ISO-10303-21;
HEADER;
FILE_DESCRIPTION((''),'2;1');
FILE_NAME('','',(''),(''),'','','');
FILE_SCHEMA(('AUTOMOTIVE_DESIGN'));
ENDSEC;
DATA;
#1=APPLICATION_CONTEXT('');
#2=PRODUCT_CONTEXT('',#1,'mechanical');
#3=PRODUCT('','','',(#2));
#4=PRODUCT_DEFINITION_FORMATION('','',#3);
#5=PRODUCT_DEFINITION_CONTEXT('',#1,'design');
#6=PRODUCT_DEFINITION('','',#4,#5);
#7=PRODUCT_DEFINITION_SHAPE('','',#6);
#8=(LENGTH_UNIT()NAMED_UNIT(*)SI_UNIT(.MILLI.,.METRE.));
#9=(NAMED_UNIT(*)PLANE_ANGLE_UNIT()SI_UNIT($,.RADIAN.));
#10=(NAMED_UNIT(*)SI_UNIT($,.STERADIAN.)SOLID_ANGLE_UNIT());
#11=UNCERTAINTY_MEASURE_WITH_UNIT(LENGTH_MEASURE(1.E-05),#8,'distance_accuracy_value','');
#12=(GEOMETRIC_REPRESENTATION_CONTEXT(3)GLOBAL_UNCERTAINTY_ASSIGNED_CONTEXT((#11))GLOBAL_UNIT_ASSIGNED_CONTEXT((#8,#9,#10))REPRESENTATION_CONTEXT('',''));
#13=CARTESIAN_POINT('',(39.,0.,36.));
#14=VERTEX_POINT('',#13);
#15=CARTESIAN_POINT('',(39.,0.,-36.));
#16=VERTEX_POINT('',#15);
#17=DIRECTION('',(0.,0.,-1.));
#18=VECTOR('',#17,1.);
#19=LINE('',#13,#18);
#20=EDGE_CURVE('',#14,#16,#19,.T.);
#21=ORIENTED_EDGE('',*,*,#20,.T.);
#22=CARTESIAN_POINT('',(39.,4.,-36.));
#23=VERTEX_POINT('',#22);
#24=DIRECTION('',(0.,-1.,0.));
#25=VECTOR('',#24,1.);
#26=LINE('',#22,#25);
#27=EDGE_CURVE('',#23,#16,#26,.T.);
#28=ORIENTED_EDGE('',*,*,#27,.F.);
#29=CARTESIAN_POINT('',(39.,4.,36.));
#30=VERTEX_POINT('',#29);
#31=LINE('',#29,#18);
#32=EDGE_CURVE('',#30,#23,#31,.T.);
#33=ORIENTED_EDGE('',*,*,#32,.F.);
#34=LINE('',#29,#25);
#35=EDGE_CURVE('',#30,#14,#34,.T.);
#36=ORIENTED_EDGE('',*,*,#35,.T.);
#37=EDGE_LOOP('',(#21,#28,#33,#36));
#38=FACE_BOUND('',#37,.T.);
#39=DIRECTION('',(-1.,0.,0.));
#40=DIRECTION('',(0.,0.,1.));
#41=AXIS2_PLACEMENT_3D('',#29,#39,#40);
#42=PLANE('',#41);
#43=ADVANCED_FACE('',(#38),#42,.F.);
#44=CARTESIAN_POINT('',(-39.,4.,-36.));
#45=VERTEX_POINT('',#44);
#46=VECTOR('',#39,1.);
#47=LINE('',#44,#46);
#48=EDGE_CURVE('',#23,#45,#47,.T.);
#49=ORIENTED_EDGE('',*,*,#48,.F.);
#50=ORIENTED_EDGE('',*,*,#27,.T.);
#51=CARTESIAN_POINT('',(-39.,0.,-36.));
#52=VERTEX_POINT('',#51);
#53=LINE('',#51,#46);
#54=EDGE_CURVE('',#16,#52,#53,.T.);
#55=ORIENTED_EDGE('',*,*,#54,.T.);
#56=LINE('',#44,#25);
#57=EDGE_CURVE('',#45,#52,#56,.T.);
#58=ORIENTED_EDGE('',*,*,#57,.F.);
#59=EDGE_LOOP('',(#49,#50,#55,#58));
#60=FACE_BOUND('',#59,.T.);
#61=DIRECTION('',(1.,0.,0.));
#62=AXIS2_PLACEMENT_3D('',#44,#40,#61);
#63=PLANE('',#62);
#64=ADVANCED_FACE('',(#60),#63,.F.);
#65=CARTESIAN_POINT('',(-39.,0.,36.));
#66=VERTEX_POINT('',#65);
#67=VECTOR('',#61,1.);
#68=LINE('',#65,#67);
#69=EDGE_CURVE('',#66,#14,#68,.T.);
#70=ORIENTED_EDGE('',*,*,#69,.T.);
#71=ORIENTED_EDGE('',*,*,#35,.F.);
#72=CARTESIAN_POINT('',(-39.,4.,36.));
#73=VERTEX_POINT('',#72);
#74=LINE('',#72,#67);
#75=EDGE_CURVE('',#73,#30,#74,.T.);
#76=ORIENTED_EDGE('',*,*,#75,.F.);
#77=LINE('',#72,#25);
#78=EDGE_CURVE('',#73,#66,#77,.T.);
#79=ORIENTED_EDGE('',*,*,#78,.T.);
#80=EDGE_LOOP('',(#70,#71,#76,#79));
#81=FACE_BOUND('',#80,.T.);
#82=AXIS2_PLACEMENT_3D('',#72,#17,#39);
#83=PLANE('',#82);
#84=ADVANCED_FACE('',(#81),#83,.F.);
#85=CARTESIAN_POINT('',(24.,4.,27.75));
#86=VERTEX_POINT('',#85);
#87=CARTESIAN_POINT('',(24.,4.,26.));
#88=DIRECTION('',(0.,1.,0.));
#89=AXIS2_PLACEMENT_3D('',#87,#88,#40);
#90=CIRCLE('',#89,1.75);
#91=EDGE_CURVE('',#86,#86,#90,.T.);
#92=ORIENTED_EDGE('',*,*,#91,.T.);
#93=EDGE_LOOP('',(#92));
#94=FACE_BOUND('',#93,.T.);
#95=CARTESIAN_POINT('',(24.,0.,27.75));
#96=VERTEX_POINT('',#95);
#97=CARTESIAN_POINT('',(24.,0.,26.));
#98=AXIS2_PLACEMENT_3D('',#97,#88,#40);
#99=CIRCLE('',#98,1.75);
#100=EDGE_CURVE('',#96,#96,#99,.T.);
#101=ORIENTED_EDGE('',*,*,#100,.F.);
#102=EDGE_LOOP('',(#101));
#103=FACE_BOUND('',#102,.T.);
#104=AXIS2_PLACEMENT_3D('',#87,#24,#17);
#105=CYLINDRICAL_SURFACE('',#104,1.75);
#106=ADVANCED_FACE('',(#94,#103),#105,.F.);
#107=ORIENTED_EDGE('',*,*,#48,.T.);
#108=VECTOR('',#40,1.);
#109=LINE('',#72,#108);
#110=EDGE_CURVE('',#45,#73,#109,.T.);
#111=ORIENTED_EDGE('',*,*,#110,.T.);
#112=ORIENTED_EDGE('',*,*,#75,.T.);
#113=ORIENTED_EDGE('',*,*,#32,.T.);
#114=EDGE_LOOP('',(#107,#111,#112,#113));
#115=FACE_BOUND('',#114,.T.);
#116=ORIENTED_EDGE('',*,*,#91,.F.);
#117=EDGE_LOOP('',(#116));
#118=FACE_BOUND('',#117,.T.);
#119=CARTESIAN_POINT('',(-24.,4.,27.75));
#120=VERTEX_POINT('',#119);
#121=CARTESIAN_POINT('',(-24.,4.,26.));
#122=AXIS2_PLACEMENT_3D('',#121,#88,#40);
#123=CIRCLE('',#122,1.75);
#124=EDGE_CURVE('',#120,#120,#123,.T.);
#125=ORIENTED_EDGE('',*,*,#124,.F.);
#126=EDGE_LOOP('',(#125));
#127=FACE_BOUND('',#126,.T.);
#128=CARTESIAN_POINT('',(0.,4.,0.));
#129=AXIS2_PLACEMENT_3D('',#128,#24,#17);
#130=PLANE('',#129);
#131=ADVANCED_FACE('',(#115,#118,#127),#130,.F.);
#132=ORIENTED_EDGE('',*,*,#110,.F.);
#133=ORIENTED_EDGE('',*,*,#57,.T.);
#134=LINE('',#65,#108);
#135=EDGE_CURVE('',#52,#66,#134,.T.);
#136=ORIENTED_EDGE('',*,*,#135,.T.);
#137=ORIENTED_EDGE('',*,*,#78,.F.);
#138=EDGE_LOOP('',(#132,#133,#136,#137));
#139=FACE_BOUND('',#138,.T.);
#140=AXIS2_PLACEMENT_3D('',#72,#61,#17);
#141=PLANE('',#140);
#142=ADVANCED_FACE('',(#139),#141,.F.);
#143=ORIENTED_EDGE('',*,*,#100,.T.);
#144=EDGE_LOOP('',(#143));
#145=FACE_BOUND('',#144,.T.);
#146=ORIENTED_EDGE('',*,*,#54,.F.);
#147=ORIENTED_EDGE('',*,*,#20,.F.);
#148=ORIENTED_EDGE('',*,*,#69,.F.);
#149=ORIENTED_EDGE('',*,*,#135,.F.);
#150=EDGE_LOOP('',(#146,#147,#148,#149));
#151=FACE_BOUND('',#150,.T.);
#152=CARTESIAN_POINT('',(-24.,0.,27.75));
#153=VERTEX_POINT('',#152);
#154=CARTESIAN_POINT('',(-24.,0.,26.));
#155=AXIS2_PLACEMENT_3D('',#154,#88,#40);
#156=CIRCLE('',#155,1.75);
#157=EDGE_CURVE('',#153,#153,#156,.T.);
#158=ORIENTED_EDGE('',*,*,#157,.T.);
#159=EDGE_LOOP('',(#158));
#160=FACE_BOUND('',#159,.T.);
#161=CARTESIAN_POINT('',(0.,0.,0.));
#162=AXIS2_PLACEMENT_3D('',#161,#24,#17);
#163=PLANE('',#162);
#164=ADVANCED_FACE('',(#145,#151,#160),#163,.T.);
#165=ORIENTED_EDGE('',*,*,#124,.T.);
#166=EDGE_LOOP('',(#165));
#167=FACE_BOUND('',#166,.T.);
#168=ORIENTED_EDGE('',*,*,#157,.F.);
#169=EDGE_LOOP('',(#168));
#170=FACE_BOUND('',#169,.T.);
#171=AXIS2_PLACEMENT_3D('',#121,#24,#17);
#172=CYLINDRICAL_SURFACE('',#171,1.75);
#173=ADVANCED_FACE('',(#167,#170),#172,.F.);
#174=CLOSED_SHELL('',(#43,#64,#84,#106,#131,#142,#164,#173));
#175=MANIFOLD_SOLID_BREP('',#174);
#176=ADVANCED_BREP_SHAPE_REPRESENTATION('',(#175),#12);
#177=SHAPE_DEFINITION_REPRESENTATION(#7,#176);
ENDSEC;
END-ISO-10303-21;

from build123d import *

# Parameters (mm, degrees)
SKETCH1_W               = 78
SKETCH1_H               = 72
SKETCH1_R               = 1.75
TRAY_BASE_EXTRUDE_DEPTH = 4


with BuildPart() as part:
    # Sketch1 → Tray_Base_Extrude (new body)
    with BuildSketch(Plane(origin=(0, 0, 0), x_dir=(1, 0, 0), z_dir=(0, 1, 0))):
        Rectangle(SKETCH1_W, SKETCH1_H)
        with Locations(Location((-24, -26, 0), (0, 0, 270))):
            Circle(SKETCH1_R, mode=Mode.SUBTRACT)
        with Locations(Location((24, -26, 0), (0, 0, 270))):
            Circle(SKETCH1_R, mode=Mode.SUBTRACT)
    extrude(amount=TRAY_BASE_EXTRUDE_DEPTH)


solid = part.part
